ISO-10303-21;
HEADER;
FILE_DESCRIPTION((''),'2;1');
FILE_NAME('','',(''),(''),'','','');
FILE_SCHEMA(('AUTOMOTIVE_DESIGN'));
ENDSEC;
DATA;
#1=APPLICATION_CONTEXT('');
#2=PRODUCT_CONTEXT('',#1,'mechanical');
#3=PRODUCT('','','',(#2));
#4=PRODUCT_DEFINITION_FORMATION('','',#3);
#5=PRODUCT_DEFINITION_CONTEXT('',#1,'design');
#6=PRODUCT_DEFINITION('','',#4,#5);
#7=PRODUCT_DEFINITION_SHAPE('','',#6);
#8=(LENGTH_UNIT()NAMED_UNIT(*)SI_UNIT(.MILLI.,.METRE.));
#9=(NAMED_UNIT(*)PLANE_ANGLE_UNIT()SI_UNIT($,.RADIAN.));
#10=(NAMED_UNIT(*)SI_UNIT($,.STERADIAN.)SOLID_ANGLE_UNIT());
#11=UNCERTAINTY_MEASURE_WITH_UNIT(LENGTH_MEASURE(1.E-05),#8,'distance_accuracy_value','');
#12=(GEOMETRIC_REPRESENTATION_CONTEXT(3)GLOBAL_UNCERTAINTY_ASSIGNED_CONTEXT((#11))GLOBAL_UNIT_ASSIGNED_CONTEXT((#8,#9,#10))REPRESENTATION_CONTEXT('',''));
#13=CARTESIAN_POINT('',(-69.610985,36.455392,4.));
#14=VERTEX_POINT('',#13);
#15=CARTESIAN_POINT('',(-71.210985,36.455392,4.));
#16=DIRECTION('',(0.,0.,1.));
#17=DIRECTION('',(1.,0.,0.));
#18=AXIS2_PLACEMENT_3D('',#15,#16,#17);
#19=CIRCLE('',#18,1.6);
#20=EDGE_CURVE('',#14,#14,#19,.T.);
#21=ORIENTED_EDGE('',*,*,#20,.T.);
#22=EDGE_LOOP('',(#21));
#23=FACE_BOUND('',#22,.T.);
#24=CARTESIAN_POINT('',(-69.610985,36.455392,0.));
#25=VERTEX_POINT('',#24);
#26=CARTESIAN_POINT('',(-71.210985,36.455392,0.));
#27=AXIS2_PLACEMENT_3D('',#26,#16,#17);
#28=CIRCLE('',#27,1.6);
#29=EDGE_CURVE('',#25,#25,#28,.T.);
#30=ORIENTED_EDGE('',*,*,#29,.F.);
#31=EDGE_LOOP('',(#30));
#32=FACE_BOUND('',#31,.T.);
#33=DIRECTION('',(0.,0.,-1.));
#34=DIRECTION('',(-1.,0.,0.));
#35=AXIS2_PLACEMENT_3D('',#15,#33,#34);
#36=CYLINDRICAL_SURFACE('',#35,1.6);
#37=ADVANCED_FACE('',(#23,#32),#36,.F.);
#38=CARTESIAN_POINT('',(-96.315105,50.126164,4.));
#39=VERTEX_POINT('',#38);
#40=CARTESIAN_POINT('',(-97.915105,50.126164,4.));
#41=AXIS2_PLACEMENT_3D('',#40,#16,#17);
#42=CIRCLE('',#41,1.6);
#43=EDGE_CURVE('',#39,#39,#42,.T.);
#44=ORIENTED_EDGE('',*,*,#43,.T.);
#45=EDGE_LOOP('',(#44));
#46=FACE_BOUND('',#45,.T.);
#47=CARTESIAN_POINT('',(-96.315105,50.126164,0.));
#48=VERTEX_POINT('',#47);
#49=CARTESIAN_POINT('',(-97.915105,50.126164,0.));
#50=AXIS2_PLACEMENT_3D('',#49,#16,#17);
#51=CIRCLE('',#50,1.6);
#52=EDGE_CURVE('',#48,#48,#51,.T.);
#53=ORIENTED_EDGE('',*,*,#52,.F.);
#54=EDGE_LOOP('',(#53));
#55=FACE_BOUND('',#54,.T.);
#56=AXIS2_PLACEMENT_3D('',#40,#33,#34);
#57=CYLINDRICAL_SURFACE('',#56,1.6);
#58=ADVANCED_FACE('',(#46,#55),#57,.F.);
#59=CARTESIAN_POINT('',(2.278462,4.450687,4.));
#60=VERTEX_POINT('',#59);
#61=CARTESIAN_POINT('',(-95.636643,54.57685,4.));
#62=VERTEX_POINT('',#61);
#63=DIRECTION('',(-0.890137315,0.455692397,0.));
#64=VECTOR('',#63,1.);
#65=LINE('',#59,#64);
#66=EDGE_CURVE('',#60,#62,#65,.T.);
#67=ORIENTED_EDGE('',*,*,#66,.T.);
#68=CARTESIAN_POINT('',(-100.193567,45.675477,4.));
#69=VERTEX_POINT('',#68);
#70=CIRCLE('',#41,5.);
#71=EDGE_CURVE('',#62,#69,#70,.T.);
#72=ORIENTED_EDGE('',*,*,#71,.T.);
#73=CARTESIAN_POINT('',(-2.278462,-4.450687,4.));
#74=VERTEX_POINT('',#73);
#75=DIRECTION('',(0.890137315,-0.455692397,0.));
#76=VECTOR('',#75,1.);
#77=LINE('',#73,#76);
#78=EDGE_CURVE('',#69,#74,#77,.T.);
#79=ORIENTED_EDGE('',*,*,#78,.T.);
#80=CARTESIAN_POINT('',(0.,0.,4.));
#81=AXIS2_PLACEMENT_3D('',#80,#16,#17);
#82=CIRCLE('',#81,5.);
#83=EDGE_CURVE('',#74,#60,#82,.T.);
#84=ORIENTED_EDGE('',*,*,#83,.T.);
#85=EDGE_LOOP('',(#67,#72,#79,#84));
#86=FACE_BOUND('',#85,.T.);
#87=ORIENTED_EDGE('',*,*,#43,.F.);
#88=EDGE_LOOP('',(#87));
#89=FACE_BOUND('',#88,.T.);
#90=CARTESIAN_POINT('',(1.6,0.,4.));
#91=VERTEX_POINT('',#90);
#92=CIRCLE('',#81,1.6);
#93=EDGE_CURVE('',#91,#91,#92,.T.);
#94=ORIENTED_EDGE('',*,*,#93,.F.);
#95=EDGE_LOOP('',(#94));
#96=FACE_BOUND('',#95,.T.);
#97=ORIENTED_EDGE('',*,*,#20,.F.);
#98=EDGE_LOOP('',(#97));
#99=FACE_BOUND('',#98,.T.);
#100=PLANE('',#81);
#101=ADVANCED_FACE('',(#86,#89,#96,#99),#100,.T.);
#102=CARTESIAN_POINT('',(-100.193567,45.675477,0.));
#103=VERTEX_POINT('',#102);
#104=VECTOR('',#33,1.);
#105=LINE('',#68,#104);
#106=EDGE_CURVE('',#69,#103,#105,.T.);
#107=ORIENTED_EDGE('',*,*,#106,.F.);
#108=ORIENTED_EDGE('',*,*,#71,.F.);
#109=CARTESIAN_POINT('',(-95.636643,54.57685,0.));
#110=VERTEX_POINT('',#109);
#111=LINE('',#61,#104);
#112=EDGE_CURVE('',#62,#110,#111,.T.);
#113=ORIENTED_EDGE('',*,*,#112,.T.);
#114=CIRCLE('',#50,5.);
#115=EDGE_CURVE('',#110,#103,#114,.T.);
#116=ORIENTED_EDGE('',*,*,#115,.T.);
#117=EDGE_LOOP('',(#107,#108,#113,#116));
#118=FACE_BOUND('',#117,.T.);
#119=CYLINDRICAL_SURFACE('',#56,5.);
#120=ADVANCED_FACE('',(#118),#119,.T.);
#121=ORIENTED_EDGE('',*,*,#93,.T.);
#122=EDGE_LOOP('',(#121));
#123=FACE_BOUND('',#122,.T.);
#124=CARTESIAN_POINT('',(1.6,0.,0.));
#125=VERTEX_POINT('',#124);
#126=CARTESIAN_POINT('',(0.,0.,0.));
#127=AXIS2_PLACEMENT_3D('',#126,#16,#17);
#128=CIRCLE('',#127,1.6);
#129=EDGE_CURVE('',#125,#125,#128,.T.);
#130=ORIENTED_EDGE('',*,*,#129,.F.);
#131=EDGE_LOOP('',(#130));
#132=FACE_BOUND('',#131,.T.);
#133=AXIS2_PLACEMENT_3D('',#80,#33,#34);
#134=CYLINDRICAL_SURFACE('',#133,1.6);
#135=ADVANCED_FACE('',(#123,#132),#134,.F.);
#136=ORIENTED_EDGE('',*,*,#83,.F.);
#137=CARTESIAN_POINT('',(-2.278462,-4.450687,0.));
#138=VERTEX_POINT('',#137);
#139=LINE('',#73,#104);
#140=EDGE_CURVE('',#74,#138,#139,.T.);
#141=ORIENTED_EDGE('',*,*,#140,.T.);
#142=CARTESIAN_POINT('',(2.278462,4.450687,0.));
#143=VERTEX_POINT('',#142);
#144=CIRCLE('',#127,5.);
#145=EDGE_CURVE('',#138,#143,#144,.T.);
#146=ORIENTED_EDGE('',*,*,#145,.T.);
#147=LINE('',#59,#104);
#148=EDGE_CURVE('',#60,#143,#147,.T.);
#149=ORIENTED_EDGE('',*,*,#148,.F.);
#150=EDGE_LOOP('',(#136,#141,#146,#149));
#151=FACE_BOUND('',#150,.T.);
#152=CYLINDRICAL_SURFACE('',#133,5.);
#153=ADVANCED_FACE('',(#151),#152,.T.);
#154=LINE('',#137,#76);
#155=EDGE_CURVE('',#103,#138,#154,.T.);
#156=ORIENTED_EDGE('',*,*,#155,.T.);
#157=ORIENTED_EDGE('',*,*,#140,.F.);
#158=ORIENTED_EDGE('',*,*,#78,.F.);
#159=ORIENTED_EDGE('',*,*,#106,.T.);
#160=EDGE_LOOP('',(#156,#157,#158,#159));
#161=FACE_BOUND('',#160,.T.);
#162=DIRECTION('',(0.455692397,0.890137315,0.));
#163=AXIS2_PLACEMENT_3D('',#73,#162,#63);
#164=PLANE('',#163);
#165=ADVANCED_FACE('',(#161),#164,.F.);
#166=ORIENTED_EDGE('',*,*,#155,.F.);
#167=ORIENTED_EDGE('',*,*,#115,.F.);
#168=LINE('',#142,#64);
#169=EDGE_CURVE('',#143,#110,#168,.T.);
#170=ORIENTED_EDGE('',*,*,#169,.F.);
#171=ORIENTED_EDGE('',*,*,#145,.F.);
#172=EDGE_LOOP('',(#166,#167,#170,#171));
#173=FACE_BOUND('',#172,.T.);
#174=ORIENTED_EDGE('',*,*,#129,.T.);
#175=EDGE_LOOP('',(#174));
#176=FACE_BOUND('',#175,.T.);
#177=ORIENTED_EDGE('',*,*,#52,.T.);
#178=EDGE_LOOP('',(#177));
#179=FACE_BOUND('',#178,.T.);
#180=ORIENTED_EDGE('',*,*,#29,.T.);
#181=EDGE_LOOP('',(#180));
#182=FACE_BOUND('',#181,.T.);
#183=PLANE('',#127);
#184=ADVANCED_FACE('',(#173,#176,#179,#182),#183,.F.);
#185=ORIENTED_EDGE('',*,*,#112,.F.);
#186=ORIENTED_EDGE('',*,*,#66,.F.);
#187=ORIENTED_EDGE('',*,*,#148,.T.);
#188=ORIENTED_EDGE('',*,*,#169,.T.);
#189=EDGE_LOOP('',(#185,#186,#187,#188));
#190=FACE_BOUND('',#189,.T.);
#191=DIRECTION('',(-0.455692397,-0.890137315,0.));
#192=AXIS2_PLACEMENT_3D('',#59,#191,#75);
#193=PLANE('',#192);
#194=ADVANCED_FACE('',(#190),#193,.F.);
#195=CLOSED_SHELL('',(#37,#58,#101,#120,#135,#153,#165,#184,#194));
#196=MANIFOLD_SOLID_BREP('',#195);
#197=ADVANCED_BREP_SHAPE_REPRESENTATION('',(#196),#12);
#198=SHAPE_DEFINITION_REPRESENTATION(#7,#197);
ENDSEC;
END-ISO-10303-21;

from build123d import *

# Parameters (mm, degrees)
SKETCH1_R           = 1.6
BOSS_EXTRUDE1_DEPTH = 4


with BuildPart() as part:
    # Sketch1 → Boss-Extrude1 (new body)
    with BuildSketch(Plane.XY):
        with BuildLine():
            Line((-2.278461986, -4.450686574), (-100.193566609, 45.675477121))
            ThreePointArc((-100.193566609, 45.675477121), (-102.365791196, 52.404625681), (-95.636642636, 54.576850269))
            Line((-95.636642636, 54.576850269), (2.278461986, 4.450686574))
            ThreePointArc((2.278461986, 4.450686574), (4.450686574, -2.278461986), (-2.278461986, -4.450686574))
        make_face()
        with Locations((-97.915104623, 50.126163695)):
            Circle(SKETCH1_R, mode=Mode.SUBTRACT)
        Circle(SKETCH1_R, mode=Mode.SUBTRACT)
        with Locations((-71.21098518, 36.455391778)):
            Circle(SKETCH1_R, mode=Mode.SUBTRACT)
    extrude(amount=BOSS_EXTRUDE1_DEPTH)


solid = part.part
